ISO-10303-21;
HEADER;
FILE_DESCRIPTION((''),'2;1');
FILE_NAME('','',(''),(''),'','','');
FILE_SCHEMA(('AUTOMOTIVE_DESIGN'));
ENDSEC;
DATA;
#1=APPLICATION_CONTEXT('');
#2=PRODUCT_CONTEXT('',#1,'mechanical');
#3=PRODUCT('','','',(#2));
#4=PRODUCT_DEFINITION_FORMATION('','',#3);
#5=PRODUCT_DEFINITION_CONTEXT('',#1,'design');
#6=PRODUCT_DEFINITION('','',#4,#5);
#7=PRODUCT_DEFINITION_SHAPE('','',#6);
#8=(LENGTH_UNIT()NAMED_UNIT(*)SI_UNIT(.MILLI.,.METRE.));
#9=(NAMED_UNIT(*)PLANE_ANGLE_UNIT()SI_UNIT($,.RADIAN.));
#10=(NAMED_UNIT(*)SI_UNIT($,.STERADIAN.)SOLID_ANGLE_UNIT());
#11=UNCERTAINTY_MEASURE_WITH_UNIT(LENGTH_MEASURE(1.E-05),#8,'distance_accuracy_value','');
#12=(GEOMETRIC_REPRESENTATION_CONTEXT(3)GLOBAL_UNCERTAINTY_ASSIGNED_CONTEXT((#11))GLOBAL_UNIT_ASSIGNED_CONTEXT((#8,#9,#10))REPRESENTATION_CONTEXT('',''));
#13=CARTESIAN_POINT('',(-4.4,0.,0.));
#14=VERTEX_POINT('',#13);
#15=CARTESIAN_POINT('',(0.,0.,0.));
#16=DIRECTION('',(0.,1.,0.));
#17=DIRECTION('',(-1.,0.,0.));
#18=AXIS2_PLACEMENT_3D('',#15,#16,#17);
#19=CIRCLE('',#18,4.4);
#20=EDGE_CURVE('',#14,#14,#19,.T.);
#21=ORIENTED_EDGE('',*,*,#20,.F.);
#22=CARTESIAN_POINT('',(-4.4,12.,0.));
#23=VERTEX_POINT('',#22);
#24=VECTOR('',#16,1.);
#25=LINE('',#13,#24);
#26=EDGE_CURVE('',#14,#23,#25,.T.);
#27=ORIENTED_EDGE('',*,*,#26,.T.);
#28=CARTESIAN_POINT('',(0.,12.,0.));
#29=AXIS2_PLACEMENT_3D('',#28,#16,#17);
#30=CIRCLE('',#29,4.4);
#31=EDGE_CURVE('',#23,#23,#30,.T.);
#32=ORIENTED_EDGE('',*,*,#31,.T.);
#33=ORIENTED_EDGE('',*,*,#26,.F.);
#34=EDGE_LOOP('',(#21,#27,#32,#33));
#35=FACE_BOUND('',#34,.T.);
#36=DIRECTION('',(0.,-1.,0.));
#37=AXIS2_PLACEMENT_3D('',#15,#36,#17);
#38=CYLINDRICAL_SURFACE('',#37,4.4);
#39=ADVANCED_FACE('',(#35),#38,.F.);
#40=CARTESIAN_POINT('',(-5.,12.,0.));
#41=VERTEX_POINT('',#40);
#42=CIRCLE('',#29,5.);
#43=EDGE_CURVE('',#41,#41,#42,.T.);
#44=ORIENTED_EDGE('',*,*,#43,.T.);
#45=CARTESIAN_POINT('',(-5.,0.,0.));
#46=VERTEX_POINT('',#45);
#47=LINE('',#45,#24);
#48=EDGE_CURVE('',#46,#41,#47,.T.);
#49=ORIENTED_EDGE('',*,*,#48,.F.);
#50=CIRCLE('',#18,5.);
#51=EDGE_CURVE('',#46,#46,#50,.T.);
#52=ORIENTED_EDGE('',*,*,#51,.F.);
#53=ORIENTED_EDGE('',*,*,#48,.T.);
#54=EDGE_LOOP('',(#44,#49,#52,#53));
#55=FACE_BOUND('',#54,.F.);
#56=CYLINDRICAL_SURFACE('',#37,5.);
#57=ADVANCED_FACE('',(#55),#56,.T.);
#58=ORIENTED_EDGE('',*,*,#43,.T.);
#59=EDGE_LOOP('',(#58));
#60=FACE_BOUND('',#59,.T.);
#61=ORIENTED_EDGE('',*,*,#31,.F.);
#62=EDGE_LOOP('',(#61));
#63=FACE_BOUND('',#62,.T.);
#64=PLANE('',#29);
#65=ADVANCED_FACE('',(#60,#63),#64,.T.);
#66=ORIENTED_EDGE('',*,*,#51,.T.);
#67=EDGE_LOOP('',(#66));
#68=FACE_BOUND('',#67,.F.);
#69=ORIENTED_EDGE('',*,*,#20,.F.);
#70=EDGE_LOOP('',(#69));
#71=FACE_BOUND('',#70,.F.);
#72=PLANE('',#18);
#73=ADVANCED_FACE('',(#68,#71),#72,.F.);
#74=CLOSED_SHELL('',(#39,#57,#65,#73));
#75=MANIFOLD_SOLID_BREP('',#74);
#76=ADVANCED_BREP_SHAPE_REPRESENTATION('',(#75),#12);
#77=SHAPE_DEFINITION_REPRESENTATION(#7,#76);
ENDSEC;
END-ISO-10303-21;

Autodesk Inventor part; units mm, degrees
ref_plane "YZ Plane" through (0, 0, 0) normal (1, 0, 0) x (0, 1, 0)
ref_plane "XZ Plane" through (0, 0, 0) normal (0, 1, 0) x (-1, 0, 0)
ref_plane "XY Plane" through (0, 0, 0) normal (0, 0, 1) x (1, 0, 0)
sketch "스케치1" plane through (0, 0, 0) normal (0, 1, 0) x (-1, 0, 0)
  circle A0 centre (0, 0) radius 4.4
  circle A1 centre (0, 0) radius 5
  dimension "d0" = 8.8
  dimension "d1" = 10
extrude "돌출1" add sketch "스케치1" along normal blind 12
properties part number "spring_mount"
